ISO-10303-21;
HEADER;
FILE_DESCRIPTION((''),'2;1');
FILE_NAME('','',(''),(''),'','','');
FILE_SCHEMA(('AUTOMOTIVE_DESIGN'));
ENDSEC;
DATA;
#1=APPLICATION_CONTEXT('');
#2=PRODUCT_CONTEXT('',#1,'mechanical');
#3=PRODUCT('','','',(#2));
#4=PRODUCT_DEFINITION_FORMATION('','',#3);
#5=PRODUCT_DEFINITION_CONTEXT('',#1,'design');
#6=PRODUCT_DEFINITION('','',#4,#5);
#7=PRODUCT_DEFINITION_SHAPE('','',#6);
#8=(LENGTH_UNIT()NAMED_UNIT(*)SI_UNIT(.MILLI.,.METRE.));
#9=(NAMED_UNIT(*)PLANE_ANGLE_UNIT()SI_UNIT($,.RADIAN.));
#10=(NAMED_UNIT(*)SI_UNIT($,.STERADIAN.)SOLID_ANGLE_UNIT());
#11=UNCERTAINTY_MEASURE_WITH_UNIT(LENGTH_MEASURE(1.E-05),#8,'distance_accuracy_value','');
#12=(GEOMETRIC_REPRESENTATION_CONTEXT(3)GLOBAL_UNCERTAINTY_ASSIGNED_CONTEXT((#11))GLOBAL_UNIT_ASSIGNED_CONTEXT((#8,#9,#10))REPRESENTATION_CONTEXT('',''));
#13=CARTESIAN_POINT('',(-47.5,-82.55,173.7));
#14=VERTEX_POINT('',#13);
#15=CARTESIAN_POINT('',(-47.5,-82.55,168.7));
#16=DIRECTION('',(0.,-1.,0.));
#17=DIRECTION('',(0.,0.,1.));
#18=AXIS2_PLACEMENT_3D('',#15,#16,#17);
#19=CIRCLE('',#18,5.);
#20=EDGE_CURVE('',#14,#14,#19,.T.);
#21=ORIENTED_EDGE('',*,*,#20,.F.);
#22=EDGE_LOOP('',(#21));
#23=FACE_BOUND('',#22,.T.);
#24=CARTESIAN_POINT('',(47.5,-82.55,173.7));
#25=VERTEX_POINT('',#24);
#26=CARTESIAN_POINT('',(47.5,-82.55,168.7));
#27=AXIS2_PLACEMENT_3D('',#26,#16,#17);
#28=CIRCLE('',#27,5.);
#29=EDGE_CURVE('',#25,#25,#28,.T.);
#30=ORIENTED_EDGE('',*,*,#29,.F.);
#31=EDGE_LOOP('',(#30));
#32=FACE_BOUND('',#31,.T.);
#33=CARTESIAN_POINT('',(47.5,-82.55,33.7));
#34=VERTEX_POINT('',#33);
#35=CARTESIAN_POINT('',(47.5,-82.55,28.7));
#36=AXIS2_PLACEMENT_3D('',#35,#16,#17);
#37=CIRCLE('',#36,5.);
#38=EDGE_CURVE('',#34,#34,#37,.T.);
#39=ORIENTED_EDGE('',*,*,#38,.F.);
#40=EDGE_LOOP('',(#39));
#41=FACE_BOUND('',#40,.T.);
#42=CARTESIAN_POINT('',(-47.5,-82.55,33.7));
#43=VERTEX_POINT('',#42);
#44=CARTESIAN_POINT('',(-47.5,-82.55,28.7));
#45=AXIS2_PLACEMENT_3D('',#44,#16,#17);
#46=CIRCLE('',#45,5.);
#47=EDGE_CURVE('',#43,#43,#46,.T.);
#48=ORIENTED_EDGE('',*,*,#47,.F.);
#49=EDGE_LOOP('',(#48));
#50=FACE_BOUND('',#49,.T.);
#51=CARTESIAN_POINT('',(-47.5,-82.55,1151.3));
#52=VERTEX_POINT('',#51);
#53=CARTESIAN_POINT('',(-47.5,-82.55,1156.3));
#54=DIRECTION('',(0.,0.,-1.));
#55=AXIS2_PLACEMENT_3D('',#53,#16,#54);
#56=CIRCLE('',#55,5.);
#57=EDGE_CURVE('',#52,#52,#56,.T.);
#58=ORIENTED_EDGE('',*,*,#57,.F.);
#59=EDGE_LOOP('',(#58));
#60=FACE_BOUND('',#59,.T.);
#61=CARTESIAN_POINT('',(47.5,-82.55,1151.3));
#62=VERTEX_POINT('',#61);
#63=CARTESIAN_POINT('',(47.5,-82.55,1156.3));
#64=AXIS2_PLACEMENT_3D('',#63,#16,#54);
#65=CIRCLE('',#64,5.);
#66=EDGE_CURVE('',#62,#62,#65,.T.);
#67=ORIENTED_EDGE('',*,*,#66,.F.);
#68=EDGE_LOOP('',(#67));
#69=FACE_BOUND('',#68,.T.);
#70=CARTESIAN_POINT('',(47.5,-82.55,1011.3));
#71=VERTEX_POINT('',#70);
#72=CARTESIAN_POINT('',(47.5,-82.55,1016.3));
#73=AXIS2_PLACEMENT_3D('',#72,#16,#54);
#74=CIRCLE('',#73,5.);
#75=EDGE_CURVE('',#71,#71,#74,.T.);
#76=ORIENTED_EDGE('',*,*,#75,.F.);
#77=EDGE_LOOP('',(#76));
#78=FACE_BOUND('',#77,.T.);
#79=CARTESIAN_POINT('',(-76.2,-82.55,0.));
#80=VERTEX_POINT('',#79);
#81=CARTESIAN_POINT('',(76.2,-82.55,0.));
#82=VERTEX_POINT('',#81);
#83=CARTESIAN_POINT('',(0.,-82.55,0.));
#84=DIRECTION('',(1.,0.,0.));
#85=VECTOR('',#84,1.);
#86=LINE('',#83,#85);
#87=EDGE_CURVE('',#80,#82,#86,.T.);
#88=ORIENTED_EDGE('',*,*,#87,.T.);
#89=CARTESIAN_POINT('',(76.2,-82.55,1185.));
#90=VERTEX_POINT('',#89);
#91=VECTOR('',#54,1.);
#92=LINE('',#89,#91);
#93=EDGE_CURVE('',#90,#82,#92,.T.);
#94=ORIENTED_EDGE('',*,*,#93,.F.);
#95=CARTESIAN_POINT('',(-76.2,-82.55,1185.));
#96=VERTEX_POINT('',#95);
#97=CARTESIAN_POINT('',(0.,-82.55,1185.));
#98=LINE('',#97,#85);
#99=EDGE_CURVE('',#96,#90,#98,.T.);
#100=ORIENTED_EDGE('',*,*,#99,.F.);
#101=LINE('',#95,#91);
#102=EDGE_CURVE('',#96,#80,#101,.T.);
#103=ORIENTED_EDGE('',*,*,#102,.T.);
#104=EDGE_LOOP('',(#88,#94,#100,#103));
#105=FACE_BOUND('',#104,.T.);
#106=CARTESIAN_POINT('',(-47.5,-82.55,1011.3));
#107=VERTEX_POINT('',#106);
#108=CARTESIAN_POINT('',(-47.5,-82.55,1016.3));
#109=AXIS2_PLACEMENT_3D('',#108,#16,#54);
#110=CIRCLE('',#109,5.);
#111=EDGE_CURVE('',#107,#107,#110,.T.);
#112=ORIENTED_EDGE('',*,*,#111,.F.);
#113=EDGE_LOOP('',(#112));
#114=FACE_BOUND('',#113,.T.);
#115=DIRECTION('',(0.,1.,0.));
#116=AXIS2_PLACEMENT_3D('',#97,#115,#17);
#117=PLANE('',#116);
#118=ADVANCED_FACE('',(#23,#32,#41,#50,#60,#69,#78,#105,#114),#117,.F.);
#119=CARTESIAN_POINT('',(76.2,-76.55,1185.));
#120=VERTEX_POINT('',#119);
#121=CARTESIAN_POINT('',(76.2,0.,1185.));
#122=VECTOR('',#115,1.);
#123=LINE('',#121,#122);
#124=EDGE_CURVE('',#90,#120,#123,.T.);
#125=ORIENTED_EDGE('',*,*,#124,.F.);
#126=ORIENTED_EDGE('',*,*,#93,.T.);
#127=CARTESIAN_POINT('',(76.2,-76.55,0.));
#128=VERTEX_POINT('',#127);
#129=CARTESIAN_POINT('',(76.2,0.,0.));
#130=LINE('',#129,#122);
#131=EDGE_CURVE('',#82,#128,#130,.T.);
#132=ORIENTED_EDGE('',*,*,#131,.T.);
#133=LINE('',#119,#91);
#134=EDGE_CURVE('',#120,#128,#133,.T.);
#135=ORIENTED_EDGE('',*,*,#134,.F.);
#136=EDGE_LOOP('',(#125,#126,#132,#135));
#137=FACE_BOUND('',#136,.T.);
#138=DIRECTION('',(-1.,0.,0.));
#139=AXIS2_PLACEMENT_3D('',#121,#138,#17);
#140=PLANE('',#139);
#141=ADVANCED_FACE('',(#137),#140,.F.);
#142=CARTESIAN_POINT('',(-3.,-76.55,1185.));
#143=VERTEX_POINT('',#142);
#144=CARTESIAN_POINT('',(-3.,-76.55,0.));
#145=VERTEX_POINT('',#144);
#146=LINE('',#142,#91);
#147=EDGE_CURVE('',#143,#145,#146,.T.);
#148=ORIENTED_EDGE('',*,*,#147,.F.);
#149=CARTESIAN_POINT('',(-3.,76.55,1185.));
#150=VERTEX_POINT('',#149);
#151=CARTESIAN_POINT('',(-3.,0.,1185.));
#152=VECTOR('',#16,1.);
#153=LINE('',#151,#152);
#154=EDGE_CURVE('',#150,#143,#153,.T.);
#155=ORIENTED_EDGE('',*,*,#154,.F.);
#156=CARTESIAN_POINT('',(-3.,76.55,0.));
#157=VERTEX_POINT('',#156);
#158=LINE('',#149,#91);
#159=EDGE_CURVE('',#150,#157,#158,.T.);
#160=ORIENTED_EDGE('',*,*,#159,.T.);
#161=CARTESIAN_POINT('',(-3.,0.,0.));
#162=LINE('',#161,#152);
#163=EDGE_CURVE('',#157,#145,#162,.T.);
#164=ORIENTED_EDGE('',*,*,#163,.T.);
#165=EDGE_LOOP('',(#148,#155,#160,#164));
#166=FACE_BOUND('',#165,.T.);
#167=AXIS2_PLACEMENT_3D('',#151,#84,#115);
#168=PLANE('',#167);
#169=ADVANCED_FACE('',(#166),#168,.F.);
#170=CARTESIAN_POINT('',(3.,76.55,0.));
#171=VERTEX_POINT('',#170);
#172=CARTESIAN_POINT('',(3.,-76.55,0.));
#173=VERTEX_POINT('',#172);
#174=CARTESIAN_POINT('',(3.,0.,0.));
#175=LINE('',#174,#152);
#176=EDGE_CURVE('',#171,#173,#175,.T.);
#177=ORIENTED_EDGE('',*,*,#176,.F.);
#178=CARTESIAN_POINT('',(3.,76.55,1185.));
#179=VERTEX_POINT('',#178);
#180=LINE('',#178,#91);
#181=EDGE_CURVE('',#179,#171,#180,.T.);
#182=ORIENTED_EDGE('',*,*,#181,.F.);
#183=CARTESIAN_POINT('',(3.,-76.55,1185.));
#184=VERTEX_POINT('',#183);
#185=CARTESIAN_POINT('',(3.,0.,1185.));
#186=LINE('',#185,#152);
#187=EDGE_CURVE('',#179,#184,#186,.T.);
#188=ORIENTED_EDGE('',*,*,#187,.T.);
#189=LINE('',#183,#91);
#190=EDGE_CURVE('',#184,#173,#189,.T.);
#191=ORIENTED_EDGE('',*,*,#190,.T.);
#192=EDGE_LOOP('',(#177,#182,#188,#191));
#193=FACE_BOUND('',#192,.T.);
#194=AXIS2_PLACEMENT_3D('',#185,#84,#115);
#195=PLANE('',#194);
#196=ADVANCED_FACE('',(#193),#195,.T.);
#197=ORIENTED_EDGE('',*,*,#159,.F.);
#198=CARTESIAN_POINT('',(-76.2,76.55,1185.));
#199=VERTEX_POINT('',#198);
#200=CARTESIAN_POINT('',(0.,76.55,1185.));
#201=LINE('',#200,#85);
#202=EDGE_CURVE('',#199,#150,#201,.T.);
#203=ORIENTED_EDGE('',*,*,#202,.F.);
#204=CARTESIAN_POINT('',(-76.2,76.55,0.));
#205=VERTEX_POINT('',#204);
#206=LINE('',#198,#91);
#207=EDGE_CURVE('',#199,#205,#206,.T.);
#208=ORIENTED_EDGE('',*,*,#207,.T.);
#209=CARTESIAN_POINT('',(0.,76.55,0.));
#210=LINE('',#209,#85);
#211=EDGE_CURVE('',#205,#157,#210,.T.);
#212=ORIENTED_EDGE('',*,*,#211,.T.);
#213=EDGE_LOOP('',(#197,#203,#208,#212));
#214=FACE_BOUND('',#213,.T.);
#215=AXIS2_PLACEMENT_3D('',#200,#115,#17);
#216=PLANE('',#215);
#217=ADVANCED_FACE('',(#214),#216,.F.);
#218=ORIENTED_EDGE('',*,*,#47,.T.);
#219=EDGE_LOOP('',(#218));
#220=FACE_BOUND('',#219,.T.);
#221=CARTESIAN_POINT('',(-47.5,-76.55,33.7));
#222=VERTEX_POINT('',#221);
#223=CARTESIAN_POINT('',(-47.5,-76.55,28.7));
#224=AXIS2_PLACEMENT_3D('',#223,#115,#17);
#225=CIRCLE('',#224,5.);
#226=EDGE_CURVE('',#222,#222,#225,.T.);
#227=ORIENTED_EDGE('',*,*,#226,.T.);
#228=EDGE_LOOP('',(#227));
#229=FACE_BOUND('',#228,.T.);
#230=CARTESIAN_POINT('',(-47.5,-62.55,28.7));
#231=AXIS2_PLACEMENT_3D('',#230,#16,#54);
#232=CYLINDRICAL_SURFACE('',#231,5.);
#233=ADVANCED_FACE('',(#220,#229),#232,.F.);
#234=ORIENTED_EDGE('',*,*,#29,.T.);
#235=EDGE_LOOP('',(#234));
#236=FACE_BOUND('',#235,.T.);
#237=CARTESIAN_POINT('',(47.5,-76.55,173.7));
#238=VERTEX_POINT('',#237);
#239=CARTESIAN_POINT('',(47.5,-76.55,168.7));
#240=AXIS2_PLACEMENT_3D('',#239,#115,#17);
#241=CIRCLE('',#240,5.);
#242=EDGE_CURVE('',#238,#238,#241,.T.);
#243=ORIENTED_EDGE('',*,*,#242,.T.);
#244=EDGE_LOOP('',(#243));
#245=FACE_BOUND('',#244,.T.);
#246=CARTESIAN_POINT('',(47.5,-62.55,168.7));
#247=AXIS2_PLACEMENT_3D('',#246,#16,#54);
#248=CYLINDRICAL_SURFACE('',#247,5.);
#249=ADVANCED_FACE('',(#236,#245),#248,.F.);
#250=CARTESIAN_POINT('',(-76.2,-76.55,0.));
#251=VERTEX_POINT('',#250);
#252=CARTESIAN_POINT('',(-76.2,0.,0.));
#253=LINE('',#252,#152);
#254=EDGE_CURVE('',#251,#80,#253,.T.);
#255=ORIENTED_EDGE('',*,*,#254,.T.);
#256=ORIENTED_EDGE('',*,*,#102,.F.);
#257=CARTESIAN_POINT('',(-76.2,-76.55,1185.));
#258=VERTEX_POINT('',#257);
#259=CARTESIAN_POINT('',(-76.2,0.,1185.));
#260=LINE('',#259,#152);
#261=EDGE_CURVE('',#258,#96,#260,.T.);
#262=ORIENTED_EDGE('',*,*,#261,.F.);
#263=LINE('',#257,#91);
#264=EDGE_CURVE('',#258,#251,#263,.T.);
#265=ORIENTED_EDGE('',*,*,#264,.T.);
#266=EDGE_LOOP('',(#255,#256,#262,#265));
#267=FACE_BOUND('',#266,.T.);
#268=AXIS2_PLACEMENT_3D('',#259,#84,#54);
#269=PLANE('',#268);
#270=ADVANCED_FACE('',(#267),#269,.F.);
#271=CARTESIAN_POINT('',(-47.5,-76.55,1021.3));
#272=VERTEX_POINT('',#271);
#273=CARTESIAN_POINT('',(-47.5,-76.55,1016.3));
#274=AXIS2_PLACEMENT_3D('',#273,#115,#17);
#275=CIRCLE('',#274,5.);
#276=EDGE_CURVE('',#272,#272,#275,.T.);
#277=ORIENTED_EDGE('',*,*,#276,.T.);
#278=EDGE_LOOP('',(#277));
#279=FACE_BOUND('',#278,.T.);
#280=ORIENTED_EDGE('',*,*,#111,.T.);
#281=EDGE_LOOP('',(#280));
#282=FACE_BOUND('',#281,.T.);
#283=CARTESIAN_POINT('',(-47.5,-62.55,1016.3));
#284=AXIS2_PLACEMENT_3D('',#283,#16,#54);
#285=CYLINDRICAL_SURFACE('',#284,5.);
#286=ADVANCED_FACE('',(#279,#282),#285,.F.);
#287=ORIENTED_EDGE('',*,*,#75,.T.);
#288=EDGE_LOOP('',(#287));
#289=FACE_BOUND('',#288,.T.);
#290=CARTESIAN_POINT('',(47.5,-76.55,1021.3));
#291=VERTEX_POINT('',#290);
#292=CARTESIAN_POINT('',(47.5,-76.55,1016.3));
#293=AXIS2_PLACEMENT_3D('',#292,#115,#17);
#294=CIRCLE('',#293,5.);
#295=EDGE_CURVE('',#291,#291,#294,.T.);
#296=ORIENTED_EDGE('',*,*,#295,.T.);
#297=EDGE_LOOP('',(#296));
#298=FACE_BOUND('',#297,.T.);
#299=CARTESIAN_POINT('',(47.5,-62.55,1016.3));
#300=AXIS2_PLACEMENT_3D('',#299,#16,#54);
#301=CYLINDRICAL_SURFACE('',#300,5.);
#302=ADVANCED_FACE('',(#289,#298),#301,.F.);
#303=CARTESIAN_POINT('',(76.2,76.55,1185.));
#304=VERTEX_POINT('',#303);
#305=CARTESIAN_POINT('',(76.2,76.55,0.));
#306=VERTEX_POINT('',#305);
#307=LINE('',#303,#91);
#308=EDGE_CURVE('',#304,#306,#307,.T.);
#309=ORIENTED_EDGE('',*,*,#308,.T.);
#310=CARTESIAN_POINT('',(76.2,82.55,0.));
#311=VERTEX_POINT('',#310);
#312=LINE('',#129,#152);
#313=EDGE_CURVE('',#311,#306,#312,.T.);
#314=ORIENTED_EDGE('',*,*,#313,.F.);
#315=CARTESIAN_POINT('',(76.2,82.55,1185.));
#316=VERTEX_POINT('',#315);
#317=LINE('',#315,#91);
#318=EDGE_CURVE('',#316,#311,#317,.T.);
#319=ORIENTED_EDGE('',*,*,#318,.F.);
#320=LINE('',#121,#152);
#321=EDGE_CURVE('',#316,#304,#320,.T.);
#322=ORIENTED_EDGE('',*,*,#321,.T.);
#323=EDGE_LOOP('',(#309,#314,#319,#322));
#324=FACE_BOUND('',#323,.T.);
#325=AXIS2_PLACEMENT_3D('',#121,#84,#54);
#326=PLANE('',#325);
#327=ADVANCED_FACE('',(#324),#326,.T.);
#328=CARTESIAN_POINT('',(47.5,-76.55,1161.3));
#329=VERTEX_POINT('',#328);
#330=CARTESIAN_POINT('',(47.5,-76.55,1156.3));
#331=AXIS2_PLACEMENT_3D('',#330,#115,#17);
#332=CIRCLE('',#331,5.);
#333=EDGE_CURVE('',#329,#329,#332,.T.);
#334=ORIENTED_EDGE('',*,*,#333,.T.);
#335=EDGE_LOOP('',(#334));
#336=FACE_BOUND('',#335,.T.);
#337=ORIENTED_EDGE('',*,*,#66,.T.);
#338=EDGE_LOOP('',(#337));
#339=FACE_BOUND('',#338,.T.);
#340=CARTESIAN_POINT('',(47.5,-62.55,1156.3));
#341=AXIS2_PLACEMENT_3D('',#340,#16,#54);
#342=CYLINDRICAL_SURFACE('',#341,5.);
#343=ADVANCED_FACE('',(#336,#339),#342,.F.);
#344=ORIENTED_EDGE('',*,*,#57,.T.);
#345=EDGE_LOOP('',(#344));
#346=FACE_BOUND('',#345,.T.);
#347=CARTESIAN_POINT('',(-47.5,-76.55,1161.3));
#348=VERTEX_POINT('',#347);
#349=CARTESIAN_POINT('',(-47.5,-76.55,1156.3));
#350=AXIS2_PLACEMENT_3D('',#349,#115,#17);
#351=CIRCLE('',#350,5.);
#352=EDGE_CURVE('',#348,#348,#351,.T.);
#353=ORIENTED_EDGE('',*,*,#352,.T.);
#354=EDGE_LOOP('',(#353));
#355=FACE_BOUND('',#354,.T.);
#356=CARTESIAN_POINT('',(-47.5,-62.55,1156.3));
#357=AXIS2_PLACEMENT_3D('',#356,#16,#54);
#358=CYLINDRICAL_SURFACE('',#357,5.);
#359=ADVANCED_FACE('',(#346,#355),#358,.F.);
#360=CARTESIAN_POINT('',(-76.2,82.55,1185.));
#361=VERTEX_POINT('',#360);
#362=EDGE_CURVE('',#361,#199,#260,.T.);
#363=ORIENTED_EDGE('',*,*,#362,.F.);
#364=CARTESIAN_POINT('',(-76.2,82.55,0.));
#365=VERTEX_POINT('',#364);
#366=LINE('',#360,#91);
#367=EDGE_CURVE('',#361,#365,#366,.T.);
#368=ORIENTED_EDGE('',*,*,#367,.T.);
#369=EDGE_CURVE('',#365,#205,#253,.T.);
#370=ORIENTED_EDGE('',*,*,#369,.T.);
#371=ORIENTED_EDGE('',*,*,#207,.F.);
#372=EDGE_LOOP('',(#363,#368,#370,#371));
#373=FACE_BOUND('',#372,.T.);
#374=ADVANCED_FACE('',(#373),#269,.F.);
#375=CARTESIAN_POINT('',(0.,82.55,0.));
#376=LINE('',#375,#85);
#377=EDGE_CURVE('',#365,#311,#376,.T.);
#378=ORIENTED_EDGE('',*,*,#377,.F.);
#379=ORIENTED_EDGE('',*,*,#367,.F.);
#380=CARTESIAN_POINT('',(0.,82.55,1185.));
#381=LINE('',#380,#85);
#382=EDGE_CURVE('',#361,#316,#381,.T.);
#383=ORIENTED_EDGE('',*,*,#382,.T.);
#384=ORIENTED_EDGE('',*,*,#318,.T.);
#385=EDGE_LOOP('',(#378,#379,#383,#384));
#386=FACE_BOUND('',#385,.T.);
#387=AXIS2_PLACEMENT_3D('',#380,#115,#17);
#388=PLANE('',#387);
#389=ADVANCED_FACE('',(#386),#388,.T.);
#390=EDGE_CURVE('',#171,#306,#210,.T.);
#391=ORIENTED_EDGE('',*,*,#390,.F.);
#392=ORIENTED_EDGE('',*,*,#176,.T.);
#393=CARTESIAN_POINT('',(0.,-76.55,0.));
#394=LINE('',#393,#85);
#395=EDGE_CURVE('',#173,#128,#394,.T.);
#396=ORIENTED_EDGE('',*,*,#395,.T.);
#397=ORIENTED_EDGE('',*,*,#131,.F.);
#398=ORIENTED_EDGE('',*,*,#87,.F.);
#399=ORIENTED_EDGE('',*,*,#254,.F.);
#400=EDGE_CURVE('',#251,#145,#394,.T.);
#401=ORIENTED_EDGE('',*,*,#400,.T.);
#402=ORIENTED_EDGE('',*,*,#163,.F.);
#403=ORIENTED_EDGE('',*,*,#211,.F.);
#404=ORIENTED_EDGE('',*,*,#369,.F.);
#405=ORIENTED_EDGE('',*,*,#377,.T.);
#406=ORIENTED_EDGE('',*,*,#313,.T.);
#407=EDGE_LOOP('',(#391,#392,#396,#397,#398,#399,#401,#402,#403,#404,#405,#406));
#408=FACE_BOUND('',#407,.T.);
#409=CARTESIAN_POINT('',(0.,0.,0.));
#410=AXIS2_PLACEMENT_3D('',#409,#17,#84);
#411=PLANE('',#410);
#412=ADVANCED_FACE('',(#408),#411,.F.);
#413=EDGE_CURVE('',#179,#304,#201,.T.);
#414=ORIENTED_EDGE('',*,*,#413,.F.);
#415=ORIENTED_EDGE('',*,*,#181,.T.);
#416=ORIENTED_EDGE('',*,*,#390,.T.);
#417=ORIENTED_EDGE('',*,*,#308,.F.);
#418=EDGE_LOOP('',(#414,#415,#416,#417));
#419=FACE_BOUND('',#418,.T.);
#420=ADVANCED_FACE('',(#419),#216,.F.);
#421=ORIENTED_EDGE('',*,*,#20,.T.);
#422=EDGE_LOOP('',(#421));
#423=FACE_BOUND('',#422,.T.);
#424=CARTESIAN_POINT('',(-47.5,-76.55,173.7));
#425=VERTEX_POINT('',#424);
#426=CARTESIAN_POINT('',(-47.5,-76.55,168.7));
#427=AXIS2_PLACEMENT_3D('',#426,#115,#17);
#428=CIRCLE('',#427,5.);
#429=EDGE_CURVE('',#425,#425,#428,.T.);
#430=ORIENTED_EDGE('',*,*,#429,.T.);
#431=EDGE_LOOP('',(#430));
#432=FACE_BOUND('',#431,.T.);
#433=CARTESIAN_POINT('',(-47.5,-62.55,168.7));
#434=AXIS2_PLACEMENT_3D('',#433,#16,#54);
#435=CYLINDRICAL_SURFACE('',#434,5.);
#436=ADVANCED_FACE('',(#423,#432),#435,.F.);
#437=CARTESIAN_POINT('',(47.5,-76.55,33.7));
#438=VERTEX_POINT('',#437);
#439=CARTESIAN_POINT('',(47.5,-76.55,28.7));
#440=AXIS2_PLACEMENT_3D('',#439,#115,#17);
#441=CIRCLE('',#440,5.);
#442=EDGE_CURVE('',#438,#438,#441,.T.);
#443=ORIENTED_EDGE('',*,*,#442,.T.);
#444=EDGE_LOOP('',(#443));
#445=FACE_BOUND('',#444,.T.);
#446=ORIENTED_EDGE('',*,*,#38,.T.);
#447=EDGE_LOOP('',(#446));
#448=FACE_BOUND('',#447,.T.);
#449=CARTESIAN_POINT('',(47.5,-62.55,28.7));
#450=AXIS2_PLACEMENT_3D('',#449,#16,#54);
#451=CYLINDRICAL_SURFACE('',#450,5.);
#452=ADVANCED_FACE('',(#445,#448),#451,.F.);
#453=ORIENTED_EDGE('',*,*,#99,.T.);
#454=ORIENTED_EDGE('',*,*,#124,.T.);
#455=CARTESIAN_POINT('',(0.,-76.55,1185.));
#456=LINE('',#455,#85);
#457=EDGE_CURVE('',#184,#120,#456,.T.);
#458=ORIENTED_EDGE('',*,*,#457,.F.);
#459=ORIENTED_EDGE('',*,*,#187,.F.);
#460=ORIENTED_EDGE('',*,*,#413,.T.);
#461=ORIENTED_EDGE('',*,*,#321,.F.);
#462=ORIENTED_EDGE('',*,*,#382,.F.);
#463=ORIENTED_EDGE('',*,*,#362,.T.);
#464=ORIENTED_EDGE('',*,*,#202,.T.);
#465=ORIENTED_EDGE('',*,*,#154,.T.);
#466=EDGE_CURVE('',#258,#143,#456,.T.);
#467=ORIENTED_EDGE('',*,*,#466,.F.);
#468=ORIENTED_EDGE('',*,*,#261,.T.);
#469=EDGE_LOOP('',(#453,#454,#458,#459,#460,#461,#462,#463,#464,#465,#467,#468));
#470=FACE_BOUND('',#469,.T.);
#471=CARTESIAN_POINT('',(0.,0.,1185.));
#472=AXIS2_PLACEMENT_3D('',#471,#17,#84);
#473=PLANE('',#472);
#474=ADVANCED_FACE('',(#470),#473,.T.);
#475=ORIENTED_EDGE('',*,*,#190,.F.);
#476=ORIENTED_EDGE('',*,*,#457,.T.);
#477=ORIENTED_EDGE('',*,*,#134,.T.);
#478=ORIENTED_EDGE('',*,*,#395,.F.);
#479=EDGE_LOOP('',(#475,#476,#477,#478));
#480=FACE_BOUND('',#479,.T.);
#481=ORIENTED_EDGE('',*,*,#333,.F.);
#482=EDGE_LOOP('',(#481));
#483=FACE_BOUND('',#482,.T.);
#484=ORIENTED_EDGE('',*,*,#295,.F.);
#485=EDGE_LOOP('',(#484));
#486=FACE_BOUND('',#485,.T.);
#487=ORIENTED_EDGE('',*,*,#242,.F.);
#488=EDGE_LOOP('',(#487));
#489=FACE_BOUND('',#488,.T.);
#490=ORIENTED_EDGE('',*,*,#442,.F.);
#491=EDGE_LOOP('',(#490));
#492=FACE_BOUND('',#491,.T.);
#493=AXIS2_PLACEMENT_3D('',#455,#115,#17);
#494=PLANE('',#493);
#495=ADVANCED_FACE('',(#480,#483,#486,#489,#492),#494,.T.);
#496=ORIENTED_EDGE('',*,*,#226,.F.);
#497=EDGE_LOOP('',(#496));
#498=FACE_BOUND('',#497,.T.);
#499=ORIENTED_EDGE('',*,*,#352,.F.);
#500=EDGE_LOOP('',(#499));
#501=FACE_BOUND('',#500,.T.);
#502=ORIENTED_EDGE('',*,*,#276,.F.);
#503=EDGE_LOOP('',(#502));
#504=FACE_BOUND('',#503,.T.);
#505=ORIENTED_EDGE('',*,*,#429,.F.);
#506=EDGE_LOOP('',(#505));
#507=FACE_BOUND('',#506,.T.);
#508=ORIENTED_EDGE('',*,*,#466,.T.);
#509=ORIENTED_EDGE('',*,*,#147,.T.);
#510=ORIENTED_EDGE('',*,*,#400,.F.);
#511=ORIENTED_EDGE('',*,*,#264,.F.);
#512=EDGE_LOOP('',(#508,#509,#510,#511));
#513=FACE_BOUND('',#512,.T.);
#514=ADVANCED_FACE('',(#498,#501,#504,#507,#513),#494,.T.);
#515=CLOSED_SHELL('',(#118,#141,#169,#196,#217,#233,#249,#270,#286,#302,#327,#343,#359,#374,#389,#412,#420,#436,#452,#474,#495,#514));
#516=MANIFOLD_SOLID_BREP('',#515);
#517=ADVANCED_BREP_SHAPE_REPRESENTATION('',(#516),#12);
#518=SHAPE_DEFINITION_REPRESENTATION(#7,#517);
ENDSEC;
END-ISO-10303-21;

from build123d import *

# Parameters (mm, degrees)
BOSS_EXTRUDE1_DEPTH = 1185
SKETCH3_R           = 5
CUT_EXTRUDE1_DEPTH  = 20


with BuildPart() as part:
    # Sketch1 → Boss-Extrude1 (new body)
    with BuildSketch(Plane.XY):
        Polygon((76.2, 82.55), (-76.2, 82.55), (-76.2, 76.55), (-3, 76.55), (-3, -76.55), (-76.2, -76.55), (-76.2, -82.55), (76.2, -82.55), (76.2, -76.55), (3, -76.55), (3, 76.55), (76.2, 76.55), align=None)
    extrude(amount=BOSS_EXTRUDE1_DEPTH)

    # Sketch3 → Cut-Extrude1 (cut)
    with BuildSketch(Plane.XZ.offset(82.55)):
        with Locations((-47.5, 1156.3)):
            Circle(SKETCH3_R)
        with Locations((47.5, 1156.3)):
            Circle(SKETCH3_R)
        with Locations((-47.5, 1016.3)):
            Circle(SKETCH3_R)
        with Locations((47.5, 1016.3)):
            Circle(SKETCH3_R)
        with Locations((47.5, 168.7)):
            Circle(SKETCH3_R)
        with Locations((-47.5, 168.7)):
            Circle(SKETCH3_R)
        with Locations((47.5, 28.7)):
            Circle(SKETCH3_R)
        with Locations((-47.5, 28.7)):
            Circle(SKETCH3_R)
    extrude(amount=-CUT_EXTRUDE1_DEPTH, mode=Mode.SUBTRACT)


solid = part.part
